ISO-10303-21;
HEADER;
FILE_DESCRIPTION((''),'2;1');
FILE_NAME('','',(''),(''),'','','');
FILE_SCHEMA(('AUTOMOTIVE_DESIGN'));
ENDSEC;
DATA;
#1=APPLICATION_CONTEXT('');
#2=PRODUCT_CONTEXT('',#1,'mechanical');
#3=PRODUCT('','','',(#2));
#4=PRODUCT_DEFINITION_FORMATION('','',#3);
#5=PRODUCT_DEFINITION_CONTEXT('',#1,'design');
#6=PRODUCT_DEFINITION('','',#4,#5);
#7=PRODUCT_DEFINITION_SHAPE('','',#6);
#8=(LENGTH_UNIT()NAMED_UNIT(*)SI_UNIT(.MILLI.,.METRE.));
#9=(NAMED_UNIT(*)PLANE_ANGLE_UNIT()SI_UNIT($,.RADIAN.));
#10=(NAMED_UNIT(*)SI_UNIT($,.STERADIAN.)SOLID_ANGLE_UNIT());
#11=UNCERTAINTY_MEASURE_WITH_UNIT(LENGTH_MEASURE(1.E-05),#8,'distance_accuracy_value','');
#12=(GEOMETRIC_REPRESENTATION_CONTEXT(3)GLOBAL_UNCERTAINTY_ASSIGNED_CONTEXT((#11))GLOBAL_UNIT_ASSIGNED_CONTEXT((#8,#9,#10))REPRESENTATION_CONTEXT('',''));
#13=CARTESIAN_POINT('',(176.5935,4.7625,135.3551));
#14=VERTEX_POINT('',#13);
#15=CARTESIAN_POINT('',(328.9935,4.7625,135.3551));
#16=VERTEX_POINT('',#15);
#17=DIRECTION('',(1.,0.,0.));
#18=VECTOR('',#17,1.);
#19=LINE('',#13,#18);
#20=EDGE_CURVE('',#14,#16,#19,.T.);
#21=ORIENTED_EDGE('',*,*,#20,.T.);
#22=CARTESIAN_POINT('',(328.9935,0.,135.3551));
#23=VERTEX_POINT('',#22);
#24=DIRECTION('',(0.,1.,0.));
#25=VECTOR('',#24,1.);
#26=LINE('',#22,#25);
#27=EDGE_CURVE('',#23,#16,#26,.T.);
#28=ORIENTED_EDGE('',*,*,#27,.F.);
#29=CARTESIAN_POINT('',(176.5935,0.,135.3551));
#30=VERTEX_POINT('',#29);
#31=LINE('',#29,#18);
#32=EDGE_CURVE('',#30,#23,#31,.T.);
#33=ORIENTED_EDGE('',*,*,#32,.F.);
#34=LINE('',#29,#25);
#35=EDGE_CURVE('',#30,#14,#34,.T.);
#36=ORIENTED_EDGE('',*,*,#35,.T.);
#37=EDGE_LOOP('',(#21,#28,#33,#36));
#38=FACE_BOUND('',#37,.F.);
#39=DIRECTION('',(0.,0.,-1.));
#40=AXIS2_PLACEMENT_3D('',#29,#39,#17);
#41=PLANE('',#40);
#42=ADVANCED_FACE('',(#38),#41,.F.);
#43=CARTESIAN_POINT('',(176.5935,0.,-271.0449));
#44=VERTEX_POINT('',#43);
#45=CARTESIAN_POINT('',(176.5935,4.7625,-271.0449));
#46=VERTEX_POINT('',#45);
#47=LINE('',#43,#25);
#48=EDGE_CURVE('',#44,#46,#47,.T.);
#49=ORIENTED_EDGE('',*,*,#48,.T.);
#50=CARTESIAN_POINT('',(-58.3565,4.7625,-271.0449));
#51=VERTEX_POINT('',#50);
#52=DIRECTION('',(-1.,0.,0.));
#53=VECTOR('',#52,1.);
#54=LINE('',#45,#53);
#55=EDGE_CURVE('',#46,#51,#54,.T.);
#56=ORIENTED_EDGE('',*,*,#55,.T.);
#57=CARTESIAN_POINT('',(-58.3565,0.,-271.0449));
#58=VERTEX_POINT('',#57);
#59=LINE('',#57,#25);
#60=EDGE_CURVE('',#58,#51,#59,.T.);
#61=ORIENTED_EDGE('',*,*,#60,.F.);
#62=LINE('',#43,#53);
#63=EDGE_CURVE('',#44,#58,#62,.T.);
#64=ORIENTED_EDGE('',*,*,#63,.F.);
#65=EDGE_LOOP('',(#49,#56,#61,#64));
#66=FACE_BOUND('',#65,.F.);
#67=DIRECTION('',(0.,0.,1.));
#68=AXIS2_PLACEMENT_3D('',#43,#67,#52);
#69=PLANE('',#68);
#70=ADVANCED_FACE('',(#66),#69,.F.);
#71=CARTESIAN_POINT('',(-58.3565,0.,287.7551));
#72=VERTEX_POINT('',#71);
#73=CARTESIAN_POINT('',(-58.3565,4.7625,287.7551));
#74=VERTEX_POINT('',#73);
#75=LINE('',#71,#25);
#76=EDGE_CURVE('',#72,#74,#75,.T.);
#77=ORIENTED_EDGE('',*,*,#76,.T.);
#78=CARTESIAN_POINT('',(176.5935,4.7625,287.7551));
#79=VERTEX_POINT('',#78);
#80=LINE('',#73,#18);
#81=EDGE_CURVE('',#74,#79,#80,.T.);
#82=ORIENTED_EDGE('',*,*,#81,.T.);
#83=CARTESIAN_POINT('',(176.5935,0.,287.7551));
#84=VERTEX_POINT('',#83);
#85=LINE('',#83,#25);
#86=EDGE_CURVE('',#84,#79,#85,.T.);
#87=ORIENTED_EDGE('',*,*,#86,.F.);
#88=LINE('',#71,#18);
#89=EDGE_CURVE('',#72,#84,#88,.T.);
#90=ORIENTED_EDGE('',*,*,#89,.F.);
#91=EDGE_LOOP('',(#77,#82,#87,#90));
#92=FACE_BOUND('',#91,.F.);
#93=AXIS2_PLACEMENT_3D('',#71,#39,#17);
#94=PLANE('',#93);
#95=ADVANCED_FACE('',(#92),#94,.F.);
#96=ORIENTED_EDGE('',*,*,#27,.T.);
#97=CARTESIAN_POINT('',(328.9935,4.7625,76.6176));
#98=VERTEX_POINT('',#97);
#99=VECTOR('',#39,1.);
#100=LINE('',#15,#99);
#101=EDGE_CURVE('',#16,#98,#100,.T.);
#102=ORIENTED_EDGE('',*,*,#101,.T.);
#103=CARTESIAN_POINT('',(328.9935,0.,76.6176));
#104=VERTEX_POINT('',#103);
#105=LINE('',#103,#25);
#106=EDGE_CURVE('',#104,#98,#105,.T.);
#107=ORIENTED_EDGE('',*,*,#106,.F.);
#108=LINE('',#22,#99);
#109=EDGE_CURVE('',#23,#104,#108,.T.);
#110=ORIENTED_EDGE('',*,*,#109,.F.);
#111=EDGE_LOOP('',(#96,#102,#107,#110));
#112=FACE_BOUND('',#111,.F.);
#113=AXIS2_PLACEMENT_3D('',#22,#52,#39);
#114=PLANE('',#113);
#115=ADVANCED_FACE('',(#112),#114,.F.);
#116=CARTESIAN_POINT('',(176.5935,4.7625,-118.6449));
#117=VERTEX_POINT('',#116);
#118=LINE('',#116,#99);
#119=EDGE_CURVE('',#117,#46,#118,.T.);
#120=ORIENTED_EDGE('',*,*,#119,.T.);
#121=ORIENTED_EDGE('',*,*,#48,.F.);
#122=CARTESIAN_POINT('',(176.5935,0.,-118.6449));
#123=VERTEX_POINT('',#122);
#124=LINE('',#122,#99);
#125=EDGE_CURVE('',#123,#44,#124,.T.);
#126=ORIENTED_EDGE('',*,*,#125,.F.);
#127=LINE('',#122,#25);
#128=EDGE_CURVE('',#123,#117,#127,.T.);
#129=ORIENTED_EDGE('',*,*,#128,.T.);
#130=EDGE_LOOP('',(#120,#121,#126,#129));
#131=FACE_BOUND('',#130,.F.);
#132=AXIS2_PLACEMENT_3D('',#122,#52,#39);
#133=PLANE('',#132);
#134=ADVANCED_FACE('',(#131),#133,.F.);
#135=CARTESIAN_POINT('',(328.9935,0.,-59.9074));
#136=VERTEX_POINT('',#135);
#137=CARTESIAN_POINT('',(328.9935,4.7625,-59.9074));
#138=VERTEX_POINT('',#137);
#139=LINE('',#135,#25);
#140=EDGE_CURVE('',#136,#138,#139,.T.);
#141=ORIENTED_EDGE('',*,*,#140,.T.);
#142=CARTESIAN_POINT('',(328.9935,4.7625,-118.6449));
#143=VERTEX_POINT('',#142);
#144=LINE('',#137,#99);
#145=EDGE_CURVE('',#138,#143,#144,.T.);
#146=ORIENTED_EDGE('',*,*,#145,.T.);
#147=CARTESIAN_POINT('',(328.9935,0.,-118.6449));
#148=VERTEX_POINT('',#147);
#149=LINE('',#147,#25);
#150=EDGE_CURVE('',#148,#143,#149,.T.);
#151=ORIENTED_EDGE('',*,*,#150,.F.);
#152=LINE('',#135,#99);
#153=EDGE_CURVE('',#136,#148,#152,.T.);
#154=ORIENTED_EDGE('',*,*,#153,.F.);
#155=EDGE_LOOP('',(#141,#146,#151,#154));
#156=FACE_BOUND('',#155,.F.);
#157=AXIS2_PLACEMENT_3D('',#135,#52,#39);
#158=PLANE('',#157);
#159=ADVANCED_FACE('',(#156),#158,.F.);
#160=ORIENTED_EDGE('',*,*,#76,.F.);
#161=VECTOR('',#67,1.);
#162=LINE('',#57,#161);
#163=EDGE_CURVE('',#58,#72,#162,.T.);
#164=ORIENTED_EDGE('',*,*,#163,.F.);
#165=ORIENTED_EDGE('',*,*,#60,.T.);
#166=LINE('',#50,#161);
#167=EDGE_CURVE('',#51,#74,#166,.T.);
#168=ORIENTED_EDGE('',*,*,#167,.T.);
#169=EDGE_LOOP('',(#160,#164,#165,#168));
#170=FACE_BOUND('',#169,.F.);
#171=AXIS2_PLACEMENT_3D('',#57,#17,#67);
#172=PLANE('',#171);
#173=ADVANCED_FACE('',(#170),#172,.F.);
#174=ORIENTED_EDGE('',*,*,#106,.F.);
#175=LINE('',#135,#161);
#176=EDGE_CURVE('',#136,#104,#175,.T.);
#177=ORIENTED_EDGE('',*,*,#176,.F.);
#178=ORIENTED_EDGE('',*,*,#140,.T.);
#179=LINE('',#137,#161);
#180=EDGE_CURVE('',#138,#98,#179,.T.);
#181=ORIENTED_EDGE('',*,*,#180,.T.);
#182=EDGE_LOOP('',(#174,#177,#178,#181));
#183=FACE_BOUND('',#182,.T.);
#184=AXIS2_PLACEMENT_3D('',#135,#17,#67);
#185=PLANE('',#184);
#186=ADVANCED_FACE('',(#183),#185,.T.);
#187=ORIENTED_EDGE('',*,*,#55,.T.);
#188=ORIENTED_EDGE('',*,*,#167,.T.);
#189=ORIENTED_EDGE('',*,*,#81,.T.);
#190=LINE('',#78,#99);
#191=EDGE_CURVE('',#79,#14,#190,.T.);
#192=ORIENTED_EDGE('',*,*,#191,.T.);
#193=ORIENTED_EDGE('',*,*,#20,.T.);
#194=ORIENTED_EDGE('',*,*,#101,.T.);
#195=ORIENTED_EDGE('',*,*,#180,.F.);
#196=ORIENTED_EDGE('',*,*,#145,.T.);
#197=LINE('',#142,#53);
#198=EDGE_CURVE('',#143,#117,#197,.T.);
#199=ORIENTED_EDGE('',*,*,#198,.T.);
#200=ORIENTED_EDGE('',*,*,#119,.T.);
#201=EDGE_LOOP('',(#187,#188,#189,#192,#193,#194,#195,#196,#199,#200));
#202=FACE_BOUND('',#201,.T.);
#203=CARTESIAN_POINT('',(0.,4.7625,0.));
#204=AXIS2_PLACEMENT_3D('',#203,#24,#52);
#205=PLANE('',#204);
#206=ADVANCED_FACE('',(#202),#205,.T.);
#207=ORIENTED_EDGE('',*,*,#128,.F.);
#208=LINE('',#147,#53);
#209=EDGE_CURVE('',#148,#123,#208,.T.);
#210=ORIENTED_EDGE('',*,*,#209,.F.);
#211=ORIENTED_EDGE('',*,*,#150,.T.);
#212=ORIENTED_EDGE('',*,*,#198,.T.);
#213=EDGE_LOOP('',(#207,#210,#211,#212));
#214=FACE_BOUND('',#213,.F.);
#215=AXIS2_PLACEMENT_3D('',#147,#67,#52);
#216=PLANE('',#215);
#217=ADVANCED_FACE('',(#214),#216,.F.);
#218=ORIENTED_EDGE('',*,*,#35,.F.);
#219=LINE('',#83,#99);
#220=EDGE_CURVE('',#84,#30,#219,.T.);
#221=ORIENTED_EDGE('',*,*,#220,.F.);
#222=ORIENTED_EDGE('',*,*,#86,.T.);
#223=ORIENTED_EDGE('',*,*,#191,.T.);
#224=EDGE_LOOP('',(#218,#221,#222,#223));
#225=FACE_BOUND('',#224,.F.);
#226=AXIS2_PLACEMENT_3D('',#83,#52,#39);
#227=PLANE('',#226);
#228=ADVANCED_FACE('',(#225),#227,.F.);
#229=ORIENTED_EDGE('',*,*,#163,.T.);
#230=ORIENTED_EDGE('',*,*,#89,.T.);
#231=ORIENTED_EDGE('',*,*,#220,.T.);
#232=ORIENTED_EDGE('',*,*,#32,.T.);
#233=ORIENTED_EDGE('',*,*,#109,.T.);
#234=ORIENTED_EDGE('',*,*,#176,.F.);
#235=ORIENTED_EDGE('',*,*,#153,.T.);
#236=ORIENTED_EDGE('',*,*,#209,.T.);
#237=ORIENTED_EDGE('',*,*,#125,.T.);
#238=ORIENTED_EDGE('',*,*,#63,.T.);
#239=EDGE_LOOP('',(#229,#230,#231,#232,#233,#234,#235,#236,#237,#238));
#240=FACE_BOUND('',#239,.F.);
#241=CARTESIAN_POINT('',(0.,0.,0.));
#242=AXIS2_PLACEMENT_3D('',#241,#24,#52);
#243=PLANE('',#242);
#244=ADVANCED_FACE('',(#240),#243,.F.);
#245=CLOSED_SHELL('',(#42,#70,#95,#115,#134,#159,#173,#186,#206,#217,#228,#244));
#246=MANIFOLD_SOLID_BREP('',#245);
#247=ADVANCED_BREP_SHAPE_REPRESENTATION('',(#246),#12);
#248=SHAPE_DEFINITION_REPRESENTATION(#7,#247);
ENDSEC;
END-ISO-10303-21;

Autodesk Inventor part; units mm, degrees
ref_plane "YZ Plane" through (0, 0, 0) normal (1, 0, 0) x (0, 1, 0)
ref_plane "XZ Plane" through (0, 0, 0) normal (0, 1, 0) x (-1, 0, 0)
ref_plane "XY Plane" through (0, 0, 0) normal (0, 0, 1) x (1, 0, 0)
sketch "Sketch1" plane through (0, 0, 0) normal (0, 1, 0) x (-1, 0, 0)
  line L0 (58.3565, 287.7551) -> (-176.5935, 287.7551)
  line L1 (-176.5935, -271.0449) -> (58.3565, -271.0449)
  line L2 (58.3565, -271.0449) -> (58.3565, 287.7551)
  line L3 (-176.5935, 287.7551) -> (-176.5935, 135.3551)
  line L4 (-176.5935, 135.3551) -> (-328.9935, 135.3551)
  line L5 (-328.9935, -118.6449) -> (-176.5935, -118.6449)
  line L6 (-176.5935, -118.6449) -> (-176.5935, -271.0449)
  line L7 (-328.9935, 135.3551) -> (-328.9935, 76.6176)
  line L8 (-328.9935, -59.9074) -> (-328.9935, -118.6449)
  line L9 (-328.9935, -59.9074) -> (-328.9935, 76.6176)
  dimension "d3" = 558.8
  dimension "d4" = 234.95
  dimension "d5" = 152.4
  dimension "d6" = 152.4
  dimension "d11" = 152.4
  dimension "d12" = 234.95
extrude "Plate1" add sketch "Sketch1" along normal blind 4.7625
equation "\"BendRadius\" = Thickness"
equation "\"BendReliefWidth\" = Thickness"
equation "\"BendReliefDepth\" = 0.5 * Thickness"
equation "\"CornerReliefSize\" = 4 * Thickness"
equation "\"MinimumRemnant\" = 2 * Thickness"
equation "\"TransitionRadius\" = BendRadius"
equation "\"JacobiRadiusSize\" = BendRadius"
equation "\"GapSize\" = Thickness"
equation "\"d9\" = BendRadius"
equation "\"Thickness\" = 4.7625"
properties part number "top_bottom_rev2" material "Steel, Mild"
